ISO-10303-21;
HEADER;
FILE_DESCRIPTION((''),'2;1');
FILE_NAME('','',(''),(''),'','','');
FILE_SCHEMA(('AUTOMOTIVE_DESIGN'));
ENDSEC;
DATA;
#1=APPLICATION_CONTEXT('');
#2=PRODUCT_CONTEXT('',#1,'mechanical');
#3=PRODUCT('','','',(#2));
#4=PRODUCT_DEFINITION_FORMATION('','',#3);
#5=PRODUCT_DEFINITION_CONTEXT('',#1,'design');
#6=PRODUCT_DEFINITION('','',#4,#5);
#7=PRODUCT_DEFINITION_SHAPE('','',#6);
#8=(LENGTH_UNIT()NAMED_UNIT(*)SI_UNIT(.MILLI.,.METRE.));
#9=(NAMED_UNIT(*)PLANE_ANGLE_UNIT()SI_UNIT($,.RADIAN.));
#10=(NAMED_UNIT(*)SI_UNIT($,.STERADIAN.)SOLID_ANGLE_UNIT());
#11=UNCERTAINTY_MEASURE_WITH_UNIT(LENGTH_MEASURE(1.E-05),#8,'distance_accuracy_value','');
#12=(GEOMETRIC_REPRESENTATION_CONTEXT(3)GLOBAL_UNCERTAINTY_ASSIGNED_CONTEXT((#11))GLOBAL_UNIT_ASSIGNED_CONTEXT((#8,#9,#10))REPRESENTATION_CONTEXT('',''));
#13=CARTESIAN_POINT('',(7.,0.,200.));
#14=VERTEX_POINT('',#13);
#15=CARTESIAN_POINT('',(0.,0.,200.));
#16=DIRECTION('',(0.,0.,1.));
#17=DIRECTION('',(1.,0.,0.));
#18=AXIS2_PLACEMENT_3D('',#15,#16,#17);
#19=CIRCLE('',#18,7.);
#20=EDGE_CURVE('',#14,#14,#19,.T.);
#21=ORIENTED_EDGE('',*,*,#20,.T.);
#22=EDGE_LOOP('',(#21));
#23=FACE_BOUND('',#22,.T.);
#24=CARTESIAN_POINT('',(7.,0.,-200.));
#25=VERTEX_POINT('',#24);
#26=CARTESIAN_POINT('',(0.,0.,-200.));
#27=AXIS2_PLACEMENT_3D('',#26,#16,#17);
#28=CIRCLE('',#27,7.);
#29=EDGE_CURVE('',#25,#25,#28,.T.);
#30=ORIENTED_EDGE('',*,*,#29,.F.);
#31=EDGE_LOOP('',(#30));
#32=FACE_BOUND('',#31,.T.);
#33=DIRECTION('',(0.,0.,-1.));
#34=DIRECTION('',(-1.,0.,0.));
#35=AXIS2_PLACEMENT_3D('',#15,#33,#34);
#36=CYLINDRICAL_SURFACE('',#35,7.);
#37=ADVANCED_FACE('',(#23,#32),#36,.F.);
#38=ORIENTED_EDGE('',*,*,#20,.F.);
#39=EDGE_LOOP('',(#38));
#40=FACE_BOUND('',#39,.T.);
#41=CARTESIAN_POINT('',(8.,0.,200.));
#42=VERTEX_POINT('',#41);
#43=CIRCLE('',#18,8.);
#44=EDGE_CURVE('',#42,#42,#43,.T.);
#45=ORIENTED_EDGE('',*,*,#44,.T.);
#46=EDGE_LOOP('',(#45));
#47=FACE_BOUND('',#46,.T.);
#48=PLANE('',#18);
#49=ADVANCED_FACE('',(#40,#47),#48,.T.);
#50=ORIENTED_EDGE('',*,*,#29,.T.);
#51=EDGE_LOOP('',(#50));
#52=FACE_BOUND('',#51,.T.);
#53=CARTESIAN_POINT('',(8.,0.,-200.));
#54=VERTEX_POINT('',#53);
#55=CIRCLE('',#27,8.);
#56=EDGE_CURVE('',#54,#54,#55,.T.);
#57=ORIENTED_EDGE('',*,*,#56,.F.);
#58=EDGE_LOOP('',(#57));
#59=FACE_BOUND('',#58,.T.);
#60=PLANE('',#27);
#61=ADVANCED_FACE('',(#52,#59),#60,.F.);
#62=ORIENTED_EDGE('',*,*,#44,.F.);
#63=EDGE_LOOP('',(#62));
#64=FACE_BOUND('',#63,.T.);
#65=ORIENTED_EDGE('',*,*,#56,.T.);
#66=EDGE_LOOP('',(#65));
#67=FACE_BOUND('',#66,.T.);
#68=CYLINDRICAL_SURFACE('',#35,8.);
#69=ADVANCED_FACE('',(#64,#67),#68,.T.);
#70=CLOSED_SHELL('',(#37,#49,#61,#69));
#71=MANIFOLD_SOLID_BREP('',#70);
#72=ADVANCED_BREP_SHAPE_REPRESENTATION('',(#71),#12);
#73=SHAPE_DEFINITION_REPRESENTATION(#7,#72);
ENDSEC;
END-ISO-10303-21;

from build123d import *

# Parameters (mm, degrees)
CROQUIS1_R              = 8
CROQUIS1_R_2            = 7
SALIENTE_EXTRUIR1_DEPTH = 200


with BuildPart() as part:
    # Croquis1 → Saliente-Extruir1 (new, symmetric)
    with BuildSketch(Plane.XY):
        Circle(CROQUIS1_R)
        Circle(CROQUIS1_R_2, mode=Mode.SUBTRACT)
    extrude(amount=SALIENTE_EXTRUIR1_DEPTH, both=True)


solid = part.part
